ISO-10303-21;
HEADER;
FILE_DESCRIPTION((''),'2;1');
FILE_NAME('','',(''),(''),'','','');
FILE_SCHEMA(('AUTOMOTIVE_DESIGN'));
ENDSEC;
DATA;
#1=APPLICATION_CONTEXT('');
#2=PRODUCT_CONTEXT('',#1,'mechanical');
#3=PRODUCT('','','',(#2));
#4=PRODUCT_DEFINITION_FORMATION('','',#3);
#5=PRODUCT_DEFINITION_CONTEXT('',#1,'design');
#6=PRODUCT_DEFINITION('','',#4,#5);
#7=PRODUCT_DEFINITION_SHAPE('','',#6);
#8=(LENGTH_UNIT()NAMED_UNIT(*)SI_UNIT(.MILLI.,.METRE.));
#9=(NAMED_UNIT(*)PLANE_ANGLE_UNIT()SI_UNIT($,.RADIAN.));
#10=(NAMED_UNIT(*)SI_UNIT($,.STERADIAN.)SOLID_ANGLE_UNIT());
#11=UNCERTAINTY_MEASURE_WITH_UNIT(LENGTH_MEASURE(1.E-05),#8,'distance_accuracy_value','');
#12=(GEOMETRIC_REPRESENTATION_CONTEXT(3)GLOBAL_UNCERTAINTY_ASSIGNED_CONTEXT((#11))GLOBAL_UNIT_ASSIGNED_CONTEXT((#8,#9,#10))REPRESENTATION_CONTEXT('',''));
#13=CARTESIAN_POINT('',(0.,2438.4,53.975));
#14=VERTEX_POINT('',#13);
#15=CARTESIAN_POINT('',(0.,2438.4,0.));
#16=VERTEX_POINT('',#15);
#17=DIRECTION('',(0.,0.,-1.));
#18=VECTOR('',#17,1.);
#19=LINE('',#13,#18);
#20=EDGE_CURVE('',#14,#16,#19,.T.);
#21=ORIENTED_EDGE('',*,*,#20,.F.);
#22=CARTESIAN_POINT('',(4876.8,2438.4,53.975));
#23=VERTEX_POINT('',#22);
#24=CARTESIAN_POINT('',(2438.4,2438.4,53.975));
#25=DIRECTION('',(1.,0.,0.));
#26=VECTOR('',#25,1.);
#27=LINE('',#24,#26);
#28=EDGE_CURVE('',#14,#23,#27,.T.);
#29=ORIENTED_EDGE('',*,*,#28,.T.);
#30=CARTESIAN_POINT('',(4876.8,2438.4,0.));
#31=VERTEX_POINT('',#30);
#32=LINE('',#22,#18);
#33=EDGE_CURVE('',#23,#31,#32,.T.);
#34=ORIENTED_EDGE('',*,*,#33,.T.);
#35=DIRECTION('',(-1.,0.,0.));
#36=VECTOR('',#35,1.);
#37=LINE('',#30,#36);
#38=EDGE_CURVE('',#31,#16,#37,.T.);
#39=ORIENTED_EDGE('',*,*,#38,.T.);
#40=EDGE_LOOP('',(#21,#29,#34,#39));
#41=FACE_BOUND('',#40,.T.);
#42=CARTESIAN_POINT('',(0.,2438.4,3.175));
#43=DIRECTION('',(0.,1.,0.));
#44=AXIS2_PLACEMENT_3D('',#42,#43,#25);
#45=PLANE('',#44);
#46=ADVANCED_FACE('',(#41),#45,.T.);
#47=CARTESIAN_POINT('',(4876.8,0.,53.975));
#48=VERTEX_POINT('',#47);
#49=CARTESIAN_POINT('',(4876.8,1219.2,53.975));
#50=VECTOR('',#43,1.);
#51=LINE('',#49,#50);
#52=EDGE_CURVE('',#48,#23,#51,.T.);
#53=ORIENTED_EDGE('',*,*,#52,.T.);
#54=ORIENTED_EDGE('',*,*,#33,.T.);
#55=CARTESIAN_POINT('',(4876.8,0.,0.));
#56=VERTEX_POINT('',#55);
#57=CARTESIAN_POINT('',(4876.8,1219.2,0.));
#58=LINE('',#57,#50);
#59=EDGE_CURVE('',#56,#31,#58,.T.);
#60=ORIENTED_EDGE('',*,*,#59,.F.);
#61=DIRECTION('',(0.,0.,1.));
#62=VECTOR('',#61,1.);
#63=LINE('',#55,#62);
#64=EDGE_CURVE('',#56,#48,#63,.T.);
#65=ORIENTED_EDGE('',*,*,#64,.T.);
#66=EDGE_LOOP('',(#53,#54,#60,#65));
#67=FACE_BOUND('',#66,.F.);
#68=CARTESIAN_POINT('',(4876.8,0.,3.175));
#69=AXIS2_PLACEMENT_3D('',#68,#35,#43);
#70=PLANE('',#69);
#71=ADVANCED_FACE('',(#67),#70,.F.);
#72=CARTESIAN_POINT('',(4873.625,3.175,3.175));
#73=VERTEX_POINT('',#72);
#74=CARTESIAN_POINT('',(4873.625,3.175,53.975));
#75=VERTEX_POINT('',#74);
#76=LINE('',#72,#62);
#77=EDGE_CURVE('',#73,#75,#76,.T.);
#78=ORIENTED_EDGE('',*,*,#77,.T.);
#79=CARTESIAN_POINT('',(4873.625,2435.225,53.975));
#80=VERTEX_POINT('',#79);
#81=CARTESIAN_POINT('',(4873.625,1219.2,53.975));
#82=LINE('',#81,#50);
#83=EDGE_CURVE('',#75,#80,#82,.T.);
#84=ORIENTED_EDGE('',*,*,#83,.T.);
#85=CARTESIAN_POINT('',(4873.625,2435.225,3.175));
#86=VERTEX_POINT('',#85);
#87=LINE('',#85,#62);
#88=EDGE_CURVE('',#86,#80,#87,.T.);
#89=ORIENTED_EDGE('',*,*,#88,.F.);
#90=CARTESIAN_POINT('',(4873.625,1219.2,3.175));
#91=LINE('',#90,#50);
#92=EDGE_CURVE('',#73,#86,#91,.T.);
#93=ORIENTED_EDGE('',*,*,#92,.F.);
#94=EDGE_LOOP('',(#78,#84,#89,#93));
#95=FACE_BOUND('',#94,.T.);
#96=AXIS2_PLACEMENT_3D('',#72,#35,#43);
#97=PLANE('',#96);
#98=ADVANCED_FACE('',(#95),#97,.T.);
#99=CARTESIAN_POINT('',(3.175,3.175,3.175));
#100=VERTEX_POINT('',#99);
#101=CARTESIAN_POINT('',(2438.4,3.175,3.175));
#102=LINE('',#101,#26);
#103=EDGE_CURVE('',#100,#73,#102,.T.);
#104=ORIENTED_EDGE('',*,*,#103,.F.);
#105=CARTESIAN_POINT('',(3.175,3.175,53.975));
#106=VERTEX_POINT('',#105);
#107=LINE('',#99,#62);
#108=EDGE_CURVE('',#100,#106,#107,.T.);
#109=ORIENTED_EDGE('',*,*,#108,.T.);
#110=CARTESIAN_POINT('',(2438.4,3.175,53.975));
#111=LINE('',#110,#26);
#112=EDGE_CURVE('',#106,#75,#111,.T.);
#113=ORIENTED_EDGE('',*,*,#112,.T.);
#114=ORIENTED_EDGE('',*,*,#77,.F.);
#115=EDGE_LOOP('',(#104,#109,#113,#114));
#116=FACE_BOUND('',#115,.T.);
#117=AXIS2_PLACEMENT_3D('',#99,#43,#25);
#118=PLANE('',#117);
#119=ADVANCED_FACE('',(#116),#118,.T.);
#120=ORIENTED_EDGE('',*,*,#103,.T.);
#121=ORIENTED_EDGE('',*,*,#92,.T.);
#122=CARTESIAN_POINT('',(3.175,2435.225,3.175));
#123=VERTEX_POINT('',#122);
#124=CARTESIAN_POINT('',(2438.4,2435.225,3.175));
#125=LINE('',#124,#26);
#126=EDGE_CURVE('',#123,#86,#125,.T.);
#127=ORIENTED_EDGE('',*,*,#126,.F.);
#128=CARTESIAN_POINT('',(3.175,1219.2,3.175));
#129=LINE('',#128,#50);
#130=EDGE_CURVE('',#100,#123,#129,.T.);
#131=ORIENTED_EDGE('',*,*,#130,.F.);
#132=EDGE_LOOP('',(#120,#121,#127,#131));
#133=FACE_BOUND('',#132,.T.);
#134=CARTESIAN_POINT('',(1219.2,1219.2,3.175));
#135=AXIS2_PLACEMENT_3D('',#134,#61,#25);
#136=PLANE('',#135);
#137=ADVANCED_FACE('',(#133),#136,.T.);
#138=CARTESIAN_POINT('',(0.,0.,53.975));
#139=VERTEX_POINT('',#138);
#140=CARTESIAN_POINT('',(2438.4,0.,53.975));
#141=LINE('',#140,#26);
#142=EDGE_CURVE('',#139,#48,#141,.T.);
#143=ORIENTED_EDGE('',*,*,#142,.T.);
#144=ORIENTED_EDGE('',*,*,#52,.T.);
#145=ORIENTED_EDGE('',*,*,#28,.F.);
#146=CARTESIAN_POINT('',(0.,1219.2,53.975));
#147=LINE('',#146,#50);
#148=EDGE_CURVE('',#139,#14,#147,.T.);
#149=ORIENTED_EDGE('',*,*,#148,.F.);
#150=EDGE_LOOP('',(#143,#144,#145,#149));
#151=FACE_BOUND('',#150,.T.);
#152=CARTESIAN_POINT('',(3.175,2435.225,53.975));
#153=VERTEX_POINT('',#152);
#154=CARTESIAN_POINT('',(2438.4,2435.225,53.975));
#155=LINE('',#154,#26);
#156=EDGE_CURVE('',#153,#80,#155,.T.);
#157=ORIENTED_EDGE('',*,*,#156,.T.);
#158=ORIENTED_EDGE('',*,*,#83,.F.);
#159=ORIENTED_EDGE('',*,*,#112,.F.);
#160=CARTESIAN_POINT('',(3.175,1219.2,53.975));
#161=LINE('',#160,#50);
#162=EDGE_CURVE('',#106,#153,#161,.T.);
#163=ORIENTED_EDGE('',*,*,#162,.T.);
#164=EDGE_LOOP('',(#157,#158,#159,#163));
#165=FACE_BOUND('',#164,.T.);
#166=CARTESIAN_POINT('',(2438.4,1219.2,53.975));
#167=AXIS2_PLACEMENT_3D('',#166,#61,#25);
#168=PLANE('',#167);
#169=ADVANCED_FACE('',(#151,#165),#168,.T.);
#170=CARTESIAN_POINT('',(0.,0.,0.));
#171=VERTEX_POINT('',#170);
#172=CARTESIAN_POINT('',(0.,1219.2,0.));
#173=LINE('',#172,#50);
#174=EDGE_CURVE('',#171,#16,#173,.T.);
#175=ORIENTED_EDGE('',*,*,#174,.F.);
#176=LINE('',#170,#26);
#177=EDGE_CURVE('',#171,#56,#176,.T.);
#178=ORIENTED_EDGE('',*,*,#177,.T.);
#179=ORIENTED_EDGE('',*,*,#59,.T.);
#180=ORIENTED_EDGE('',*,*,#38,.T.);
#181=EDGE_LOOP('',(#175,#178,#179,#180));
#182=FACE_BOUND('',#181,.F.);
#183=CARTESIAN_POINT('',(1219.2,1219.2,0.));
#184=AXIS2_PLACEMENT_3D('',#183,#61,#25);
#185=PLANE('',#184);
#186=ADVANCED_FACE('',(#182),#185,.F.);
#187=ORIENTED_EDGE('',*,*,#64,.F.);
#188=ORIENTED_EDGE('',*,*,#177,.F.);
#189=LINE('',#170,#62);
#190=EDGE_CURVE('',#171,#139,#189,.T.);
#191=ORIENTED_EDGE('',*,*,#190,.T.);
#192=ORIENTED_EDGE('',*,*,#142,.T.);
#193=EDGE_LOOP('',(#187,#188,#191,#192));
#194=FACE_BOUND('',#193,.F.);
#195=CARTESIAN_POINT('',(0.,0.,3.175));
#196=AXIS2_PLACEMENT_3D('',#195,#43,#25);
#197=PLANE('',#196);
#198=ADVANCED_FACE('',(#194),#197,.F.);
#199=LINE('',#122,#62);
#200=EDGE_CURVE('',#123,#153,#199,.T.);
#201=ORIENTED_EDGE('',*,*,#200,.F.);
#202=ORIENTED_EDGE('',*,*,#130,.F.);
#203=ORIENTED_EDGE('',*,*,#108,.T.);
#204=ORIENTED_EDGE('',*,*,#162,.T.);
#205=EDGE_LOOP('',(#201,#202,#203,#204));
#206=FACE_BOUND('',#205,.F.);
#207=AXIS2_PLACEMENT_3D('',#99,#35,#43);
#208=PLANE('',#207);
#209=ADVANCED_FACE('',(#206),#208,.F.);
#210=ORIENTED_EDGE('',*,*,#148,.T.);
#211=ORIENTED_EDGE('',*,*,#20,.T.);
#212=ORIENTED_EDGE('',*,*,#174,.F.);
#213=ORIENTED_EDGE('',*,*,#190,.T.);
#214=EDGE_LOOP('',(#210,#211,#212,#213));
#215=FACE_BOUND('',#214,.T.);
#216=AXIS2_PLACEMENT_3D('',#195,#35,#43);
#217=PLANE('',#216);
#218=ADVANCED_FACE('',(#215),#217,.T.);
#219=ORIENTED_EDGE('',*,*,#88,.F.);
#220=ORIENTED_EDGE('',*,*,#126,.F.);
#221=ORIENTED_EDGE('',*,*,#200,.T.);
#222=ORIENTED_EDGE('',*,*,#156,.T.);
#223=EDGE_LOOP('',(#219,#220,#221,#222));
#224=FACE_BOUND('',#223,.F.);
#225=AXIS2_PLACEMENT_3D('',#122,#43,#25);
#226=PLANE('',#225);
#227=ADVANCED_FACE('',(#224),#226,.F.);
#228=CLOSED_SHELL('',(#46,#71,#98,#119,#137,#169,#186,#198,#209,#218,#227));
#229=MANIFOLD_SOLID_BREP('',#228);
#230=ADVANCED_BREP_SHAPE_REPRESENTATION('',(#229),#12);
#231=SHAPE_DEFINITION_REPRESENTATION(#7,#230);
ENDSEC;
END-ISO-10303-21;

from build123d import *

# Parameters (mm, degrees)
F0_W     = 2438.4
F0_H     = 2438.4
F1_DEPTH = 3.175
F2_W     = 4876.8
F2_H     = 2438.4
F2_W_2   = 4870.45
F2_H_2   = 2432.05
F3_DEPTH = 50.8


with BuildPart() as f1:
    # F0 (on Top) → F1 (new body)
    with BuildSketch(Plane.XY):
        with Locations((1219.2, 1219.2)):
            Rectangle(F0_W, F0_H)
        with Locations((3657.6, 1219.2)):
            Rectangle(F0_W, F0_H)
    extrude(amount=F1_DEPTH)

    # F2 (on face) → F3 (join)
    with BuildSketch(Plane.XY.offset(3.175)):
        with Locations((2438.4, 1219.2)):
            Rectangle(F2_W, F2_H)
        with Locations((2438.4, 1219.2)):
            Rectangle(F2_W_2, F2_H_2, mode=Mode.SUBTRACT)
    extrude(amount=F3_DEPTH)


solid = f1.part
